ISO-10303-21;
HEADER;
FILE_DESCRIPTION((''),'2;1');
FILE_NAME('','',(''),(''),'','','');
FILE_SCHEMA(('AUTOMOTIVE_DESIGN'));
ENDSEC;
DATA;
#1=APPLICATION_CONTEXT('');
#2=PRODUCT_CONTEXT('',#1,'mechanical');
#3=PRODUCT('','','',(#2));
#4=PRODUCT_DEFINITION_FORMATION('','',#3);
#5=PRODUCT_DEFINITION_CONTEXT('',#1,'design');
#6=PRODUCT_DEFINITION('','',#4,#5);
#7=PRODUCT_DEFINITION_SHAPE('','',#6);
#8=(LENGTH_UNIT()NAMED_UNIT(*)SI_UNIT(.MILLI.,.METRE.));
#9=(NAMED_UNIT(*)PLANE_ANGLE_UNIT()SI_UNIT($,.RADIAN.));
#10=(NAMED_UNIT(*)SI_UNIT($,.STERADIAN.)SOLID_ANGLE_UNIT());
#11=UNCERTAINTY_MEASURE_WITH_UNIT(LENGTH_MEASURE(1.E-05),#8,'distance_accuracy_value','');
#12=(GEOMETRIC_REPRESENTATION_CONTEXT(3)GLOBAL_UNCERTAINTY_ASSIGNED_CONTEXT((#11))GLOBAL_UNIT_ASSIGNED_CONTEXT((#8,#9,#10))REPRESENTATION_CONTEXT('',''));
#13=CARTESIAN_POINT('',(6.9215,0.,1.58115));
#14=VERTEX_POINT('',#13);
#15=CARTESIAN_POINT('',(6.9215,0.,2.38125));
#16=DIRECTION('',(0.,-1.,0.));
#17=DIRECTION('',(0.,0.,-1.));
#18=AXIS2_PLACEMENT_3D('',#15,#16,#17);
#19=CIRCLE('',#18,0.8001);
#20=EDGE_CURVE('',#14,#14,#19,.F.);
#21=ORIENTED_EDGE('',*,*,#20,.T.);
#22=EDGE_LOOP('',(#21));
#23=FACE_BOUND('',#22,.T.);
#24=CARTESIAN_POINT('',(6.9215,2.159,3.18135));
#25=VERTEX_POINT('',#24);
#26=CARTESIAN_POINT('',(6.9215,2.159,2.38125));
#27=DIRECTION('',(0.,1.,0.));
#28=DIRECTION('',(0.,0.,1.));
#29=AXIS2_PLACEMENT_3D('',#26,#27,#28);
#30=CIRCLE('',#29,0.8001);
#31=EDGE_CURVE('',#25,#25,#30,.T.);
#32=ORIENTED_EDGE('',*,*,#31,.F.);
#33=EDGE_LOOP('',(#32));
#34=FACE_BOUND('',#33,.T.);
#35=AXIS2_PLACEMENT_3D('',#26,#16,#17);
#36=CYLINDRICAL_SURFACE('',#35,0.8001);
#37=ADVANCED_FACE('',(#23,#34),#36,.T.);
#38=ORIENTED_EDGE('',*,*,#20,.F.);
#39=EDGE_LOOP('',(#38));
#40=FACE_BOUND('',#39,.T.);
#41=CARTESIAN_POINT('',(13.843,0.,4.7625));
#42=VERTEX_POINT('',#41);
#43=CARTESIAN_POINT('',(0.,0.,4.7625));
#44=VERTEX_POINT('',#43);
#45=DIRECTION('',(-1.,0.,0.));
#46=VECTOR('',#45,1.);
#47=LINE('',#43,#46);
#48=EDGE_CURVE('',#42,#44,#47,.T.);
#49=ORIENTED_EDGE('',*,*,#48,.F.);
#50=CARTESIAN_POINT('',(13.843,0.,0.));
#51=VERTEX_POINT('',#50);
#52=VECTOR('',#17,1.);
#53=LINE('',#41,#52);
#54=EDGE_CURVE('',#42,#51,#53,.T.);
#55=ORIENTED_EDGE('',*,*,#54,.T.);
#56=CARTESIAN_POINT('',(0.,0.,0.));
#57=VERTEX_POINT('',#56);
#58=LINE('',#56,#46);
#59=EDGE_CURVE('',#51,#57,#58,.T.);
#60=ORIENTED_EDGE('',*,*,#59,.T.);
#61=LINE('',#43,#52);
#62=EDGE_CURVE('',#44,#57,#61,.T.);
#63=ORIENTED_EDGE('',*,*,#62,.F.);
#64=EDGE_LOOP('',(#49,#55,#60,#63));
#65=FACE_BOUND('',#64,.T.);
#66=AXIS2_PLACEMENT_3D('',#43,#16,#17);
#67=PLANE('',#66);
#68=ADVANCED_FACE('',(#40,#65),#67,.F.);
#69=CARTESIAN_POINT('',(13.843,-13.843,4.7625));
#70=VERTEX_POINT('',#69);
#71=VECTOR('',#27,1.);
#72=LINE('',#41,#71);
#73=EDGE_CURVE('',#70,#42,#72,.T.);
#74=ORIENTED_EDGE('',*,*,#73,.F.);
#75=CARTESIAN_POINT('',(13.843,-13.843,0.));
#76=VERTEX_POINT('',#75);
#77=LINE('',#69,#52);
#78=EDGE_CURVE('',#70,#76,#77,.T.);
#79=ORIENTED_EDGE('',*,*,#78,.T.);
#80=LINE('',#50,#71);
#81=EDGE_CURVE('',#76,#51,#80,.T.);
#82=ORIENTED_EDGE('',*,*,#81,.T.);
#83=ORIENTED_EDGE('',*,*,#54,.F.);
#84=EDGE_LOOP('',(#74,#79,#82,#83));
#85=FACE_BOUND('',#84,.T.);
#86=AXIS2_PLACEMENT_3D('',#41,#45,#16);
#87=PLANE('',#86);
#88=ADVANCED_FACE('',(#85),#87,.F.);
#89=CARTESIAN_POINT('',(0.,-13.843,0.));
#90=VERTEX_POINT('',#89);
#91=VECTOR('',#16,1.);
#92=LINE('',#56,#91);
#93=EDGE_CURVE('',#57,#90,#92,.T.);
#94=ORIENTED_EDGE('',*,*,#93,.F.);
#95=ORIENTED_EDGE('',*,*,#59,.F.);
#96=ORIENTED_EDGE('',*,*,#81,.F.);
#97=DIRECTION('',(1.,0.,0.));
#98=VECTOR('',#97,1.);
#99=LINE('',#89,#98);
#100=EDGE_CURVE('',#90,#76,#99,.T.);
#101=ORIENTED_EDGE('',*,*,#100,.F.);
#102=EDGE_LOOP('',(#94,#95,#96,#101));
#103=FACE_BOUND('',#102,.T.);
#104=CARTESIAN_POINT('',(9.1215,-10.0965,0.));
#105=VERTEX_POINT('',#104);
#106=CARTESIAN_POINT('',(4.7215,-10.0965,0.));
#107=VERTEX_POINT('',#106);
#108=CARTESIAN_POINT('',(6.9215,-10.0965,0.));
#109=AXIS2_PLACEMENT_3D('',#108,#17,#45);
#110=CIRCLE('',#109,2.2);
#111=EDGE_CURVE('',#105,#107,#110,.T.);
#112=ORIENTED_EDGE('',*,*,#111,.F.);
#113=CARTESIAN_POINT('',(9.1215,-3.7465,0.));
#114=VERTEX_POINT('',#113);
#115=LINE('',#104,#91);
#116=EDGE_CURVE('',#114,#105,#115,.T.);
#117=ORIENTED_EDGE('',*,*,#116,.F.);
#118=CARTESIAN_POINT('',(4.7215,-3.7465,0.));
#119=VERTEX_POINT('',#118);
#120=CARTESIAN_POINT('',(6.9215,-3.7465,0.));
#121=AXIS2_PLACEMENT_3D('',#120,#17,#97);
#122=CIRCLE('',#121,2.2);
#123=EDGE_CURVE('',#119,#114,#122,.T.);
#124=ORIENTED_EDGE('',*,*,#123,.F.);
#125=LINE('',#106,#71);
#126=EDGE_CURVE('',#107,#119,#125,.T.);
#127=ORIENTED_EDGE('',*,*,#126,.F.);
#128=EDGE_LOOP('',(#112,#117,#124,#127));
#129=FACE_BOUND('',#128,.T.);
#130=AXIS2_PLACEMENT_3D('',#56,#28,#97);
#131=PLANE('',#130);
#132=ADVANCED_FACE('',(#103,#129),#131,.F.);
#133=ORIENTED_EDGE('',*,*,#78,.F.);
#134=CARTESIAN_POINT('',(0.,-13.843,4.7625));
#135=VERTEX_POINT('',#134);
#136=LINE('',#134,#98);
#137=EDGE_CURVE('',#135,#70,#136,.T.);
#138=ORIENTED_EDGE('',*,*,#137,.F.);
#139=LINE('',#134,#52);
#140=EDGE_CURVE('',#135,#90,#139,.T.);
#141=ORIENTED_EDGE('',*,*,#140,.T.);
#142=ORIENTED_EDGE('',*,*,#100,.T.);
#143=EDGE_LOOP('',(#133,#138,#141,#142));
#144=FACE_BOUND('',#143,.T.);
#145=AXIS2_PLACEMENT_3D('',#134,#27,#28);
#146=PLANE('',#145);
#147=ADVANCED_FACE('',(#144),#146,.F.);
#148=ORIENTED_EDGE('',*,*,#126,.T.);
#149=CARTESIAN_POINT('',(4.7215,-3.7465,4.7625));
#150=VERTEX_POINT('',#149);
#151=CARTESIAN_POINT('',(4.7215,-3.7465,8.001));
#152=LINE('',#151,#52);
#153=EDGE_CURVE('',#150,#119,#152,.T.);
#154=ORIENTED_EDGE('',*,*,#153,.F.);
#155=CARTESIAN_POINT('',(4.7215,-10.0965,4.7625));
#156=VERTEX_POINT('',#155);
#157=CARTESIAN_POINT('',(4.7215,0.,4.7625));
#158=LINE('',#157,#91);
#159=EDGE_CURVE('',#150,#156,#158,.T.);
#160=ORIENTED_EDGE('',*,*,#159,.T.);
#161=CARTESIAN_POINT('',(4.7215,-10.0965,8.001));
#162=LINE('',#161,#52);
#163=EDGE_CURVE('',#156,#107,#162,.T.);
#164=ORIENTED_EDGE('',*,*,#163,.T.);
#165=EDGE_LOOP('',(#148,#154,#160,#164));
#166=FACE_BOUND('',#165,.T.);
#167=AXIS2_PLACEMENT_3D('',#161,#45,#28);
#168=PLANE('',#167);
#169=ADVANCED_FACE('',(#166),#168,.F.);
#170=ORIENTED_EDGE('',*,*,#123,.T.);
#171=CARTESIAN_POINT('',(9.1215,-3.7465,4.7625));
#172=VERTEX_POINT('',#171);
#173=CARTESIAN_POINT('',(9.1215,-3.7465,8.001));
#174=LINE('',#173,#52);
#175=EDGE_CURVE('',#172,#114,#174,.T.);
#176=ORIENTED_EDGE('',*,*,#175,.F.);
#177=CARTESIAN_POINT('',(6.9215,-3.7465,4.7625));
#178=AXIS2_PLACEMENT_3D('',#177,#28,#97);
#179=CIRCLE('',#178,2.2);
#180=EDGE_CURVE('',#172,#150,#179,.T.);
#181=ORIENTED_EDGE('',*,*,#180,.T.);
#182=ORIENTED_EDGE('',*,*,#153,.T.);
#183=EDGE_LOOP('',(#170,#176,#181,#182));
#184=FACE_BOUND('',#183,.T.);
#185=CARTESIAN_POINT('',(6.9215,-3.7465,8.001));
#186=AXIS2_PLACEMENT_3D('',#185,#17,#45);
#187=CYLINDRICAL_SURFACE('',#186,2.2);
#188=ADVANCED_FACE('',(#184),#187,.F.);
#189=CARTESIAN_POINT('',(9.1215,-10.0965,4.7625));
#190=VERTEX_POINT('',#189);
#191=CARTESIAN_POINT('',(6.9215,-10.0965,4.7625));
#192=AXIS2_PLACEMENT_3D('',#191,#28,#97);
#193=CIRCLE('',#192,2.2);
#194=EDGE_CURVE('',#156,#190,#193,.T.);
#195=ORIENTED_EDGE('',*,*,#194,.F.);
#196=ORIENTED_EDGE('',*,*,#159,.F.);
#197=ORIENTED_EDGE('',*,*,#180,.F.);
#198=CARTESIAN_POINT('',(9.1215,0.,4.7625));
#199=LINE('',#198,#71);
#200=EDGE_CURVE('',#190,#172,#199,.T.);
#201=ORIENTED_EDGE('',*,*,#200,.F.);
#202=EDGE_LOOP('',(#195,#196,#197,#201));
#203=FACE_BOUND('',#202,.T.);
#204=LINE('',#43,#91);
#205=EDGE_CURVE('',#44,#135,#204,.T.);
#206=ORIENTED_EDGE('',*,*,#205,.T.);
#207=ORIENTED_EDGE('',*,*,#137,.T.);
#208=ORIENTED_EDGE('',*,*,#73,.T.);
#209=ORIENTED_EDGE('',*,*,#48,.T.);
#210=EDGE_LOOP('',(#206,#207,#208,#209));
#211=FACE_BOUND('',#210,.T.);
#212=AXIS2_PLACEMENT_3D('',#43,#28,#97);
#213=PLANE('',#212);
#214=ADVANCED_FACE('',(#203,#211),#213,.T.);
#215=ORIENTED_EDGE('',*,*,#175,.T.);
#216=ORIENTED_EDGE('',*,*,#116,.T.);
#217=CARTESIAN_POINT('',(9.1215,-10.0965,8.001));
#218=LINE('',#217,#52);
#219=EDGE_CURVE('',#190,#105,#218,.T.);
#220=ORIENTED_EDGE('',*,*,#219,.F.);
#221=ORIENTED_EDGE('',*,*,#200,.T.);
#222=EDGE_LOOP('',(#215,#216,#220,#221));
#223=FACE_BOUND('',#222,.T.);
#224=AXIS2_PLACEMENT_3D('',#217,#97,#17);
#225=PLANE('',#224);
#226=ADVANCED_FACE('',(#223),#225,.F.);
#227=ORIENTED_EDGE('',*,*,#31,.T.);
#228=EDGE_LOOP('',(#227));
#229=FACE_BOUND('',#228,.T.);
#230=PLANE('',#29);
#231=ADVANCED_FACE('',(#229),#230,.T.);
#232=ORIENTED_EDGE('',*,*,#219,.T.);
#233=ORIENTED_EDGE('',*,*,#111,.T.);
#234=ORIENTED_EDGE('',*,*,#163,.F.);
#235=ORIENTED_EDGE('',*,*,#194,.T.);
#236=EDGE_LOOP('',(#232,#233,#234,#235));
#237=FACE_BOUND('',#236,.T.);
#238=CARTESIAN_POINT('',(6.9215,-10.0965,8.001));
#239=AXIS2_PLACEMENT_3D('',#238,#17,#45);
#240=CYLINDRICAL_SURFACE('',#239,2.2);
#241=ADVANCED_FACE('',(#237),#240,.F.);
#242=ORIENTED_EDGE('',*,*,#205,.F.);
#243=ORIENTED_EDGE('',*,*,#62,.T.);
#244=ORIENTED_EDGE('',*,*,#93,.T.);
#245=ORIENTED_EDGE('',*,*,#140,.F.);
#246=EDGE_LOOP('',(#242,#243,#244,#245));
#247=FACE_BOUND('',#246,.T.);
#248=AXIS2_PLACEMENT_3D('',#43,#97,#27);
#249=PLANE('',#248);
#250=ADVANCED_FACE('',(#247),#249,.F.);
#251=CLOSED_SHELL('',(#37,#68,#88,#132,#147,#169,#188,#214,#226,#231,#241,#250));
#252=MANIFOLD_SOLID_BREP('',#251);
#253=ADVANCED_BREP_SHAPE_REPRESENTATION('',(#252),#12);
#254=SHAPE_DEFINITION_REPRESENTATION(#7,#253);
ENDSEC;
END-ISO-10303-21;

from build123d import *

# Parameters (mm, degrees)
SKETCH1_W           = 13.843
SKETCH1_H           = 13.843
BOSS_EXTRUDE1_DEPTH = 4.7625
SKETCH2_R           = 0.8001
BOSS_EXTRUDE2_DEPTH = 2.159
CUT_EXTRUDE1_DEPTH  = 8.001


with BuildPart() as part:
    # Sketch1 → Boss-Extrude1 (new body)
    with BuildSketch(Plane.XY):
        with Locations((6.9215, -6.9215)):
            Rectangle(SKETCH1_W, SKETCH1_H)
    extrude(amount=BOSS_EXTRUDE1_DEPTH)

    # Sketch2 → Boss-Extrude2 (add)
    with BuildSketch(Plane(origin=(0, 0, 0), x_dir=(1, 0, 0), z_dir=(0, 1, 0))):
        with Locations((6.9215, -2.38125)):
            Circle(SKETCH2_R)
    extrude(amount=BOSS_EXTRUDE2_DEPTH)

    # Sketch3 → Cut-Extrude1 (cut)
    with BuildSketch(Plane(origin=(0, 0, 0), x_dir=(-1, 0, 0), z_dir=(0, 0, -1))):
        with BuildLine():
            Line((-9.1215, -10.0965), (-9.1215, -3.7465))
            ThreePointArc((-9.1215, -3.7465), (-6.9215, -1.5465), (-4.7215, -3.7465))
            Line((-4.7215, -3.7465), (-4.7215, -10.0965))
            ThreePointArc((-4.7215, -10.0965), (-6.9215, -12.2965), (-9.1215, -10.0965))
        make_face()
    extrude(amount=-CUT_EXTRUDE1_DEPTH, mode=Mode.SUBTRACT)


solid = part.part
